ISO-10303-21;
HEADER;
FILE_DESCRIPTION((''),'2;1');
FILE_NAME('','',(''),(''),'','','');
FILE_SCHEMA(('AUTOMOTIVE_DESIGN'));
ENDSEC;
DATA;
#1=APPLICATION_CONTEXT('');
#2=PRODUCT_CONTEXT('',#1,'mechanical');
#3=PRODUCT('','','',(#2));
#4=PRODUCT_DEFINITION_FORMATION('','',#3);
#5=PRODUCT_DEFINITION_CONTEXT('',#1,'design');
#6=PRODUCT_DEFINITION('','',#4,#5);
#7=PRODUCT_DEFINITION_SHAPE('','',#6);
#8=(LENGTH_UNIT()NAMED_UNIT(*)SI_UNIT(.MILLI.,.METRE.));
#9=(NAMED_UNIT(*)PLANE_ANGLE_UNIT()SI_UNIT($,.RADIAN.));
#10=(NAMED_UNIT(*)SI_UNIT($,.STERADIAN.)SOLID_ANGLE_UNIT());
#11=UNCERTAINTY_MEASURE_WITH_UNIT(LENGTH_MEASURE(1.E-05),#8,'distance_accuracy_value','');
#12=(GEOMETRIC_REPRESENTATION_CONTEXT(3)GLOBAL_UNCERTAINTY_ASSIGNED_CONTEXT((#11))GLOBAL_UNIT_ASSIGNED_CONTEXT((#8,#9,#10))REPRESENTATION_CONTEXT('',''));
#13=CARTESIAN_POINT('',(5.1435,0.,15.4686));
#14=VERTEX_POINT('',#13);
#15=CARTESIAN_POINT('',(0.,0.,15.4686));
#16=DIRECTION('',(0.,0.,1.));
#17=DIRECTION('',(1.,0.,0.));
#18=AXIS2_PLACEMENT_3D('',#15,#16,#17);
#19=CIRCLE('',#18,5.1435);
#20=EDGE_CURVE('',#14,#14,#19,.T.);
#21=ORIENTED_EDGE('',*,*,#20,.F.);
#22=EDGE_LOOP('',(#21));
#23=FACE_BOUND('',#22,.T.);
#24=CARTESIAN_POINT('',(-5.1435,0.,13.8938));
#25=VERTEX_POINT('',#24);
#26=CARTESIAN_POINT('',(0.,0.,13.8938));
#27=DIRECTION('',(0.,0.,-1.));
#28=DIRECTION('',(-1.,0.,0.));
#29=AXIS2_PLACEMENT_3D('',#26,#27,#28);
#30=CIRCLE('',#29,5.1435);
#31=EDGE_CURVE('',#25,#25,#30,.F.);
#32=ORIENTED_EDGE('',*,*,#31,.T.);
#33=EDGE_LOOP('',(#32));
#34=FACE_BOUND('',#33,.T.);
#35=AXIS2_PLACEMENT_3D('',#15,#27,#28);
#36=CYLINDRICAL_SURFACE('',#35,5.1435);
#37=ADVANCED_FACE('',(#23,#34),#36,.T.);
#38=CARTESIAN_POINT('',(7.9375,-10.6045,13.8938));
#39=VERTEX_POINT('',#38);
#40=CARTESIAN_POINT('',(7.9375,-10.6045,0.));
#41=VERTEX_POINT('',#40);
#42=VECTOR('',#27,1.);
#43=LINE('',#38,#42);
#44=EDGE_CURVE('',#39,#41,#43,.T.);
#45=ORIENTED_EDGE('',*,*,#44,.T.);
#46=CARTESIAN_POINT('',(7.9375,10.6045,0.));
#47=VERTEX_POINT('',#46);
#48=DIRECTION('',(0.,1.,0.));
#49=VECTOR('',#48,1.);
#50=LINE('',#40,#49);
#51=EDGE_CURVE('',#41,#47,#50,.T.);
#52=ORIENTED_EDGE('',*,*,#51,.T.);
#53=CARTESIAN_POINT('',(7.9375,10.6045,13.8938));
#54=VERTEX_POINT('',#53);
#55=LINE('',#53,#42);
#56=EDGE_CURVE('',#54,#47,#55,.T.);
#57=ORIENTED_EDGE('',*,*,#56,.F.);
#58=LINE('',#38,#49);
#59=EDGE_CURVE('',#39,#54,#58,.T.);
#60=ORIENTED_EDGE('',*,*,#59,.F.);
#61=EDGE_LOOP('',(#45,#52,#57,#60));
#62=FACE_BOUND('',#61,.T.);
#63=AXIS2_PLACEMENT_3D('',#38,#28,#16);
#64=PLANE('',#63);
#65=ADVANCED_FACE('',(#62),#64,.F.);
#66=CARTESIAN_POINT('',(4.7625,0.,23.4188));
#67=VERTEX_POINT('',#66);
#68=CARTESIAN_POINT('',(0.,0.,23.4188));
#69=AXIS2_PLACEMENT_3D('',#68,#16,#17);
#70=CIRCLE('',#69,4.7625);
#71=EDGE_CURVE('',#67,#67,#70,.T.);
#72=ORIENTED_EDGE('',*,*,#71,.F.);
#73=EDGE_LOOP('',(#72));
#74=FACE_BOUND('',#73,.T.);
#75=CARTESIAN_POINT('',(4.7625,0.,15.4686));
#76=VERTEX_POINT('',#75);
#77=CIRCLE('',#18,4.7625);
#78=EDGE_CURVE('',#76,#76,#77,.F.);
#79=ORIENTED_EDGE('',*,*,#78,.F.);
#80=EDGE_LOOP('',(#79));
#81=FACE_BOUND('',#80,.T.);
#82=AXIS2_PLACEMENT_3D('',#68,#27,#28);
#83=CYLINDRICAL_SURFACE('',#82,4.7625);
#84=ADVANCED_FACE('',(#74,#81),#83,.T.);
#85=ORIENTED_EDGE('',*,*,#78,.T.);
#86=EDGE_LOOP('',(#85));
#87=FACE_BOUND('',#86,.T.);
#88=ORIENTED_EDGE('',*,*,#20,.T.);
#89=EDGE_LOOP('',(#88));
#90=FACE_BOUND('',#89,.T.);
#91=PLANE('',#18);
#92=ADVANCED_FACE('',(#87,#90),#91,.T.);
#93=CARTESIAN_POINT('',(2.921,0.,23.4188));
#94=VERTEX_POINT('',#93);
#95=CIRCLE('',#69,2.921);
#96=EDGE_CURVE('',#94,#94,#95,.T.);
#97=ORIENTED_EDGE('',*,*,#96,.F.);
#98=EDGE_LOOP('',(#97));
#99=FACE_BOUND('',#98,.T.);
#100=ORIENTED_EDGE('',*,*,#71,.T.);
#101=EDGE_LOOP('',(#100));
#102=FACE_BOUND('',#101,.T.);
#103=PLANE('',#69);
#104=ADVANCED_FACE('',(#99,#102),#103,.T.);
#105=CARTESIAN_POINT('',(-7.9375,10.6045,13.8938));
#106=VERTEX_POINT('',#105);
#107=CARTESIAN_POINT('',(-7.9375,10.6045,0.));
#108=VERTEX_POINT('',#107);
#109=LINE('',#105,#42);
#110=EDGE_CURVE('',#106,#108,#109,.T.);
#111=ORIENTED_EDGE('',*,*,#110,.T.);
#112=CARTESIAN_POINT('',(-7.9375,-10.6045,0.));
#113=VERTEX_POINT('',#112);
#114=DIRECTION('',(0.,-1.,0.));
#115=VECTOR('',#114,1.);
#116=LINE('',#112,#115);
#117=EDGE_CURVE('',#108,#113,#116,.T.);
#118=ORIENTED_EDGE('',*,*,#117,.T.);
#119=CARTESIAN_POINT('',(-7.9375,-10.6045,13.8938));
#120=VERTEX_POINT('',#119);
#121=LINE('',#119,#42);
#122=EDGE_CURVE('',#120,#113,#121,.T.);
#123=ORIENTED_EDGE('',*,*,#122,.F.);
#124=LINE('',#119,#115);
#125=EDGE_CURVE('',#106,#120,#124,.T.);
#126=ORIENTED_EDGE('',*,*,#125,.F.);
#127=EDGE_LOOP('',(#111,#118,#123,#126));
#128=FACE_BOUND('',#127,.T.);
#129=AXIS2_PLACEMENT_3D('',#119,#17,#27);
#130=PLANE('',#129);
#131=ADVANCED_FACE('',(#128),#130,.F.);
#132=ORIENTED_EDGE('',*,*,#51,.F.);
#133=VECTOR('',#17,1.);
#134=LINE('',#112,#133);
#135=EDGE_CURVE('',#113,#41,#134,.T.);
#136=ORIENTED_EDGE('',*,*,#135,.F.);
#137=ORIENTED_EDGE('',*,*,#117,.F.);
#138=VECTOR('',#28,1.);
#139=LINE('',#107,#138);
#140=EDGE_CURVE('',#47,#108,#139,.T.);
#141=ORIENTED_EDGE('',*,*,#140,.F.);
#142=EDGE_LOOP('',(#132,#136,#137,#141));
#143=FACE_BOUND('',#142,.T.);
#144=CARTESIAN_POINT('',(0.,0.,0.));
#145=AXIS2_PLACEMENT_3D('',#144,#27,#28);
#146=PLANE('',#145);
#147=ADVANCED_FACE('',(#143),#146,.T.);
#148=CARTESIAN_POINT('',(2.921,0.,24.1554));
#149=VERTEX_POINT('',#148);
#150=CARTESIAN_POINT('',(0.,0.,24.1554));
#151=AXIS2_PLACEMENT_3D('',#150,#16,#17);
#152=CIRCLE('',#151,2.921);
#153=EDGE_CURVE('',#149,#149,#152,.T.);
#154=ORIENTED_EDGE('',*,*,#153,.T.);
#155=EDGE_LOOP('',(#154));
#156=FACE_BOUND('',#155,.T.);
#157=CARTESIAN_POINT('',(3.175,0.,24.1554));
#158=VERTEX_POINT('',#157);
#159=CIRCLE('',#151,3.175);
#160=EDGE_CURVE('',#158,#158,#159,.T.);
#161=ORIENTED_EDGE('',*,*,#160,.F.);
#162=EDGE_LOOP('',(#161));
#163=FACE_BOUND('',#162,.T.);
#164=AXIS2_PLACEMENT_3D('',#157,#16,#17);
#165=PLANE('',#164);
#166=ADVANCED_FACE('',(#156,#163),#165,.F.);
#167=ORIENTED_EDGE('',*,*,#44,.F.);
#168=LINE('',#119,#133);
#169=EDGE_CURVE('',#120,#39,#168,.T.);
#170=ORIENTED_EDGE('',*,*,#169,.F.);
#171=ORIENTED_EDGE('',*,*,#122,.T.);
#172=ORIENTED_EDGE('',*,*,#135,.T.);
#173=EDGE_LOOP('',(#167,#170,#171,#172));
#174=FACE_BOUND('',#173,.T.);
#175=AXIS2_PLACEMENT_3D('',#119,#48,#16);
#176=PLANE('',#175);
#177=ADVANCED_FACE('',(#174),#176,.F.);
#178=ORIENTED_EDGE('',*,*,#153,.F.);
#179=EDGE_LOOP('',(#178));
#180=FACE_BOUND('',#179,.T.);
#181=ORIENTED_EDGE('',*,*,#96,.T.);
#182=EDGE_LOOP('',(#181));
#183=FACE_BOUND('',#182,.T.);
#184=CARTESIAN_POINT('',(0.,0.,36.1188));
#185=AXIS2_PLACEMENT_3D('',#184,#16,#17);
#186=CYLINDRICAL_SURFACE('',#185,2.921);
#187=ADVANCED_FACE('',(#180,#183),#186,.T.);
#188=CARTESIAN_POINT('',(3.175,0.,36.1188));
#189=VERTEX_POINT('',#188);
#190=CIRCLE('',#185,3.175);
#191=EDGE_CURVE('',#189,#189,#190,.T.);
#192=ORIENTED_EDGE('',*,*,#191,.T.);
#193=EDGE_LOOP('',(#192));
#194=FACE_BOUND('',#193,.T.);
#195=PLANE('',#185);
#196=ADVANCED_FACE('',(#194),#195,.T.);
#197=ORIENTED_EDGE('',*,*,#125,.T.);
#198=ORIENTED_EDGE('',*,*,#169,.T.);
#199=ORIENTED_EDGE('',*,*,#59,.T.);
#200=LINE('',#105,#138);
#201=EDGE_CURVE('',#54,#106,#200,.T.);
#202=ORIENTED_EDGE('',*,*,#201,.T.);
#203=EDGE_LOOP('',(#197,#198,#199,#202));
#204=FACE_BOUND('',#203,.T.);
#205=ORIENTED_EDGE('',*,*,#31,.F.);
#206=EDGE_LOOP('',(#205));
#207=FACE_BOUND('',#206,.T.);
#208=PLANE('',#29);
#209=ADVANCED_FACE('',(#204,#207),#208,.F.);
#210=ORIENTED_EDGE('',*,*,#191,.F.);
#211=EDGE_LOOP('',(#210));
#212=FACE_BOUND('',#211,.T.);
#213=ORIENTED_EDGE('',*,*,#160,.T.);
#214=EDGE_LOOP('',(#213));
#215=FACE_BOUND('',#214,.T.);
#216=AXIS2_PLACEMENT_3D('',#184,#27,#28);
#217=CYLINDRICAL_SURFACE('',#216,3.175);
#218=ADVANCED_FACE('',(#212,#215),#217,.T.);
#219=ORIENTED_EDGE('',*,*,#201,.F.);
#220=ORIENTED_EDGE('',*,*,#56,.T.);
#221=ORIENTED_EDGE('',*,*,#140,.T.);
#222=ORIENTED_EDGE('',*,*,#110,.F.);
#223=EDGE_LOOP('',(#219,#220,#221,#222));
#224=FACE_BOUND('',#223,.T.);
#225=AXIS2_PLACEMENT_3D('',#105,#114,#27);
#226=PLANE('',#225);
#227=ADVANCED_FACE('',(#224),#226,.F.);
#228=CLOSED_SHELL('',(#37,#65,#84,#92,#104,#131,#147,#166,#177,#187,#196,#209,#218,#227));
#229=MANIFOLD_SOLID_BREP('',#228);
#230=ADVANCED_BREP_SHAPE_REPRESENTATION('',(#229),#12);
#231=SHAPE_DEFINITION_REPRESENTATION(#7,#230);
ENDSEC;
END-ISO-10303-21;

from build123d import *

# Parameters (mm, degrees)
SKETCH1_W           = 15.875
SKETCH1_H           = 21.209
BOSS_EXTRUDE1_DEPTH = 13.8938
SKETCH2_R           = 5.1435
BOSS_EXTRUDE2_DEPTH = 1.5748
SKETCH3_R           = 4.7625
BOSS_EXTRUDE3_DEPTH = 9.525
SKETCH4_R           = 3.175
BOSS_EXTRUDE4_DEPTH = 22.225
SKETCH5_W           = 0.254
SKETCH5_H           = 0.7366


with BuildPart() as part:
    # Sketch1 → Boss-Extrude1 (new body)
    with BuildSketch(Plane.XY):
        Rectangle(SKETCH1_W, SKETCH1_H)
    extrude(amount=BOSS_EXTRUDE1_DEPTH)

    # Sketch2 → Boss-Extrude2 (add)
    with BuildSketch(Plane.XY.offset(13.8938)):
        Circle(SKETCH2_R)
    extrude(amount=BOSS_EXTRUDE2_DEPTH)

    # Sketch3 → Boss-Extrude3 (add)
    with BuildSketch(Plane.XY.offset(13.8938)):
        Circle(SKETCH3_R)
    extrude(amount=BOSS_EXTRUDE3_DEPTH)

    # Sketch4 → Boss-Extrude4 (add)
    with BuildSketch(Plane.XY.offset(13.8938)):
        Circle(SKETCH4_R)
    extrude(amount=BOSS_EXTRUDE4_DEPTH)

    # Sketch5 → Cut-Revolve1 (revolve, cut)
    with BuildSketch(Plane(origin=(0, 0, 0), x_dir=(1, 0, 0), z_dir=(0, 1, 0))):
        with Locations((3.048, -23.7871)):
            Rectangle(SKETCH5_W, SKETCH5_H)
    revolve(axis=Axis((0, 0, 36.1188), (0, 0, -1)), mode=Mode.SUBTRACT)


solid = part.part
